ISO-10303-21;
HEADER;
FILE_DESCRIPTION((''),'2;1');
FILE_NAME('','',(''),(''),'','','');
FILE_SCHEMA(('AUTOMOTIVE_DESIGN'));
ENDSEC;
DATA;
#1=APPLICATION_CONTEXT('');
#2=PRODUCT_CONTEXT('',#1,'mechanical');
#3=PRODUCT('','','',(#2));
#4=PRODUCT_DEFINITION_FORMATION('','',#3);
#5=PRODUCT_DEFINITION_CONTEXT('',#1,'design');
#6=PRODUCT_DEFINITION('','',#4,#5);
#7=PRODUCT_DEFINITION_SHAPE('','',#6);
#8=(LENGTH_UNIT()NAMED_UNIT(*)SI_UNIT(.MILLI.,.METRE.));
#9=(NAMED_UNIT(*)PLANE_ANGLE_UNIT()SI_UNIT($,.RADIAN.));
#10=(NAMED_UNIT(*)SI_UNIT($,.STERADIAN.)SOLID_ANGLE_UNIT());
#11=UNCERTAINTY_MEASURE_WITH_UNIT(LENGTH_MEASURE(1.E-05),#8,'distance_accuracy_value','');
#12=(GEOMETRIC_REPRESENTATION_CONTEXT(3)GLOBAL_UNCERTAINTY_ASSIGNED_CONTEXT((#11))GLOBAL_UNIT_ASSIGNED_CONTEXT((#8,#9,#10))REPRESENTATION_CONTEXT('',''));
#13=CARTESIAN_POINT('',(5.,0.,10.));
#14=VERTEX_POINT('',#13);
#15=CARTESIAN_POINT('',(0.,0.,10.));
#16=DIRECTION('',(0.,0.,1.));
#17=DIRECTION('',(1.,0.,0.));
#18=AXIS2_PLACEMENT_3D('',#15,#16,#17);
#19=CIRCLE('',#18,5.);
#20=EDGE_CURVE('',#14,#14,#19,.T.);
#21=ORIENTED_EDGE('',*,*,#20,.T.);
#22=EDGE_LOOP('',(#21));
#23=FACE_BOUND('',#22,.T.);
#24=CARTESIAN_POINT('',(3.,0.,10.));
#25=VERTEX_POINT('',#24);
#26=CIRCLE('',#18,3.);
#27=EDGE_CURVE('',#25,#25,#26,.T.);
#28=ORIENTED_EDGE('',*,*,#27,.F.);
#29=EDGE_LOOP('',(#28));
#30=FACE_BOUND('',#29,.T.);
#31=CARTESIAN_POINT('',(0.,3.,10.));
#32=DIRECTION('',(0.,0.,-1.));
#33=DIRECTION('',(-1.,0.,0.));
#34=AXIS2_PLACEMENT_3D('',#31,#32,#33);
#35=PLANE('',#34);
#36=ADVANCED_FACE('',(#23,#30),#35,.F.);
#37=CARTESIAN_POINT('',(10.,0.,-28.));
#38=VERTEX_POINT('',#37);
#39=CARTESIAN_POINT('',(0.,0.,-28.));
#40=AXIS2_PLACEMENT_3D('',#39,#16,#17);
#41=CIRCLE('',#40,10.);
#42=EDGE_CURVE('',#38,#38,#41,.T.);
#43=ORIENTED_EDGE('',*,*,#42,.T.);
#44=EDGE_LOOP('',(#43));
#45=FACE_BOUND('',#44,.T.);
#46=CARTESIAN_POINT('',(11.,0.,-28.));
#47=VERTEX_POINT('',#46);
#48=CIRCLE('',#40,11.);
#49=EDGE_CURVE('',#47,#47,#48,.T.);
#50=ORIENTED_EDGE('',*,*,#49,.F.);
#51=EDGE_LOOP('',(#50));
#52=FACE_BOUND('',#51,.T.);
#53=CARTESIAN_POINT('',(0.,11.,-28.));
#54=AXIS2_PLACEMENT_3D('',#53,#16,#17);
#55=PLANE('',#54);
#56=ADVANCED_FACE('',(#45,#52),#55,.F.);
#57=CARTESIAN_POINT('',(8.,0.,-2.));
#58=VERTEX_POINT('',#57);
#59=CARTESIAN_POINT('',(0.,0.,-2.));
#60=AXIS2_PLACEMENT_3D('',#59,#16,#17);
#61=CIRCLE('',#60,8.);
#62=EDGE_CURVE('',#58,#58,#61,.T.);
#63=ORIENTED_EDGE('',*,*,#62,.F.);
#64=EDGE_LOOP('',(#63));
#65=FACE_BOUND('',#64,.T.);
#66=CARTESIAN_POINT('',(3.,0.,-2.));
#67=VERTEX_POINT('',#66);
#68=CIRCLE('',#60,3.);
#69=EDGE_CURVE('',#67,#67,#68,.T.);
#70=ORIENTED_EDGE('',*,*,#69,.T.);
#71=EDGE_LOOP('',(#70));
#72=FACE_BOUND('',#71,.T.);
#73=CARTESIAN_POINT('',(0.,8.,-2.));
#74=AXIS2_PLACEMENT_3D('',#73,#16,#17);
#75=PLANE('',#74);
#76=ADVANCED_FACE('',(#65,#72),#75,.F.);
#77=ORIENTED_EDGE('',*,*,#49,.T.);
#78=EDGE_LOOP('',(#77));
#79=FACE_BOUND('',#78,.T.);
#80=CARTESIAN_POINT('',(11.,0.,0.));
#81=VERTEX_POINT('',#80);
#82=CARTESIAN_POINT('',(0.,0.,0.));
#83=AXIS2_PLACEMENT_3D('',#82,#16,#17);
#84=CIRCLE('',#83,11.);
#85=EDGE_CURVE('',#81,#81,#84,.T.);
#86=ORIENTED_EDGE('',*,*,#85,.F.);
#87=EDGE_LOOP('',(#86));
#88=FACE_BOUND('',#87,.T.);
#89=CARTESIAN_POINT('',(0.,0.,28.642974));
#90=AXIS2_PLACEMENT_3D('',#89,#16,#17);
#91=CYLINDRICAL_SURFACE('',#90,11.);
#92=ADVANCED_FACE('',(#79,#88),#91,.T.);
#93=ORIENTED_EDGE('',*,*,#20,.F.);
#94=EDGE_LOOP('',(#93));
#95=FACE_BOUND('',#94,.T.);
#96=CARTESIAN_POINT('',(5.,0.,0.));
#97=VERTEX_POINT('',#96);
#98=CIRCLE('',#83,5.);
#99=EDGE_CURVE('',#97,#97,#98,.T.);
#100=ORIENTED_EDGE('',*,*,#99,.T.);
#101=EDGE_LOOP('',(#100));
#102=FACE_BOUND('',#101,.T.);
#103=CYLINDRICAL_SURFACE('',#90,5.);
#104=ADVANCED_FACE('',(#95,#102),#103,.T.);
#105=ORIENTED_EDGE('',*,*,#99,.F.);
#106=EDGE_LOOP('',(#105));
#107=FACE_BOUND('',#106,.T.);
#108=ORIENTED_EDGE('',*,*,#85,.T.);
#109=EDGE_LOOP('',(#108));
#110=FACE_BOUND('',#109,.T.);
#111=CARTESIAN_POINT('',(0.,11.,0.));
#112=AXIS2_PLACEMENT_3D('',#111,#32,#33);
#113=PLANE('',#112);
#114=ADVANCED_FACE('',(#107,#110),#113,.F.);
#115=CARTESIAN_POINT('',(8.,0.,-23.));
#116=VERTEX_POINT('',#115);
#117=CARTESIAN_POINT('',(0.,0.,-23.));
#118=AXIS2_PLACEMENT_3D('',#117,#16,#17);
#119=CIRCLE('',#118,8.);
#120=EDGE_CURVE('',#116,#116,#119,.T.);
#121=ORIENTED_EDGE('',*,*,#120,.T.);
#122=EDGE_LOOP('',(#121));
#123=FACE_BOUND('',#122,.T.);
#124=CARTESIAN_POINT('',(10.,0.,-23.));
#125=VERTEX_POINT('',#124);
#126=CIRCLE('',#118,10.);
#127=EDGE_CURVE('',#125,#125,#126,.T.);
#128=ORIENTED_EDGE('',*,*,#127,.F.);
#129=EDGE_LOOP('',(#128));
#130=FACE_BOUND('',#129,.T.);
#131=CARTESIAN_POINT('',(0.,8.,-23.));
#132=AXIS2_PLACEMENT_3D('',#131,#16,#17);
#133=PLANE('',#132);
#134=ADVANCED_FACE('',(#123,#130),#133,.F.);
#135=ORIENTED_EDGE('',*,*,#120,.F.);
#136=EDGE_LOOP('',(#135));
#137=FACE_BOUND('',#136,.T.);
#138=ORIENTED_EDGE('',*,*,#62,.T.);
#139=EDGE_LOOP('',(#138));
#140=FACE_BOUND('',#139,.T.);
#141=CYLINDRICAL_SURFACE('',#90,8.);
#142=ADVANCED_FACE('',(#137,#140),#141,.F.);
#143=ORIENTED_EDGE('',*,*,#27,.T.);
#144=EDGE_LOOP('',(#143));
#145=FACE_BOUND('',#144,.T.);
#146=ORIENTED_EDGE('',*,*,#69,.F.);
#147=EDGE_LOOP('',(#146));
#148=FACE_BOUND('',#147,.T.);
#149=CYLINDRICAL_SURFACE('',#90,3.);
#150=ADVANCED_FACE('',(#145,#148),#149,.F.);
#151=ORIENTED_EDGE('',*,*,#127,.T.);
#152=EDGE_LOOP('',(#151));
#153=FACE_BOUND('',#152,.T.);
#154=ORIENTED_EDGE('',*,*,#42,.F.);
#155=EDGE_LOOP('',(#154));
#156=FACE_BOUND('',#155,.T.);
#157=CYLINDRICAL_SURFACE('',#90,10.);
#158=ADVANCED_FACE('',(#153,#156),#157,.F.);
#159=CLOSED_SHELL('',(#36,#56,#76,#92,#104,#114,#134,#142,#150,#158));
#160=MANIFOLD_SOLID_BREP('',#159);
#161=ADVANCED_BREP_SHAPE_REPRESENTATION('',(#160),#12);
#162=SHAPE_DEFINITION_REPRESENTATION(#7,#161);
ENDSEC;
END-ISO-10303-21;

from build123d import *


with BuildPart() as part:
    # Эскиз1 → Повернуть1 (revolve)
    with BuildSketch(Plane(origin=(0, 0, 0), x_dir=(0, 0, -1), z_dir=(1, 0, 0)), mode=Mode.PRIVATE) as revolve_1_sk:
        Polygon((28, 11), (0, 11), (0, 5), (-10, 5), (-10, 3), (2, 3), (2, 8), (23, 8), (23, 10), (28, 10), align=None)
    revolve(revolve_1_sk.sketch.rotate(Axis((0, 0, 28.642974124), (0, 0, -1)), 90), axis=Axis((0, 0, 28.642974124), (0, 0, -1)))


solid = part.part
